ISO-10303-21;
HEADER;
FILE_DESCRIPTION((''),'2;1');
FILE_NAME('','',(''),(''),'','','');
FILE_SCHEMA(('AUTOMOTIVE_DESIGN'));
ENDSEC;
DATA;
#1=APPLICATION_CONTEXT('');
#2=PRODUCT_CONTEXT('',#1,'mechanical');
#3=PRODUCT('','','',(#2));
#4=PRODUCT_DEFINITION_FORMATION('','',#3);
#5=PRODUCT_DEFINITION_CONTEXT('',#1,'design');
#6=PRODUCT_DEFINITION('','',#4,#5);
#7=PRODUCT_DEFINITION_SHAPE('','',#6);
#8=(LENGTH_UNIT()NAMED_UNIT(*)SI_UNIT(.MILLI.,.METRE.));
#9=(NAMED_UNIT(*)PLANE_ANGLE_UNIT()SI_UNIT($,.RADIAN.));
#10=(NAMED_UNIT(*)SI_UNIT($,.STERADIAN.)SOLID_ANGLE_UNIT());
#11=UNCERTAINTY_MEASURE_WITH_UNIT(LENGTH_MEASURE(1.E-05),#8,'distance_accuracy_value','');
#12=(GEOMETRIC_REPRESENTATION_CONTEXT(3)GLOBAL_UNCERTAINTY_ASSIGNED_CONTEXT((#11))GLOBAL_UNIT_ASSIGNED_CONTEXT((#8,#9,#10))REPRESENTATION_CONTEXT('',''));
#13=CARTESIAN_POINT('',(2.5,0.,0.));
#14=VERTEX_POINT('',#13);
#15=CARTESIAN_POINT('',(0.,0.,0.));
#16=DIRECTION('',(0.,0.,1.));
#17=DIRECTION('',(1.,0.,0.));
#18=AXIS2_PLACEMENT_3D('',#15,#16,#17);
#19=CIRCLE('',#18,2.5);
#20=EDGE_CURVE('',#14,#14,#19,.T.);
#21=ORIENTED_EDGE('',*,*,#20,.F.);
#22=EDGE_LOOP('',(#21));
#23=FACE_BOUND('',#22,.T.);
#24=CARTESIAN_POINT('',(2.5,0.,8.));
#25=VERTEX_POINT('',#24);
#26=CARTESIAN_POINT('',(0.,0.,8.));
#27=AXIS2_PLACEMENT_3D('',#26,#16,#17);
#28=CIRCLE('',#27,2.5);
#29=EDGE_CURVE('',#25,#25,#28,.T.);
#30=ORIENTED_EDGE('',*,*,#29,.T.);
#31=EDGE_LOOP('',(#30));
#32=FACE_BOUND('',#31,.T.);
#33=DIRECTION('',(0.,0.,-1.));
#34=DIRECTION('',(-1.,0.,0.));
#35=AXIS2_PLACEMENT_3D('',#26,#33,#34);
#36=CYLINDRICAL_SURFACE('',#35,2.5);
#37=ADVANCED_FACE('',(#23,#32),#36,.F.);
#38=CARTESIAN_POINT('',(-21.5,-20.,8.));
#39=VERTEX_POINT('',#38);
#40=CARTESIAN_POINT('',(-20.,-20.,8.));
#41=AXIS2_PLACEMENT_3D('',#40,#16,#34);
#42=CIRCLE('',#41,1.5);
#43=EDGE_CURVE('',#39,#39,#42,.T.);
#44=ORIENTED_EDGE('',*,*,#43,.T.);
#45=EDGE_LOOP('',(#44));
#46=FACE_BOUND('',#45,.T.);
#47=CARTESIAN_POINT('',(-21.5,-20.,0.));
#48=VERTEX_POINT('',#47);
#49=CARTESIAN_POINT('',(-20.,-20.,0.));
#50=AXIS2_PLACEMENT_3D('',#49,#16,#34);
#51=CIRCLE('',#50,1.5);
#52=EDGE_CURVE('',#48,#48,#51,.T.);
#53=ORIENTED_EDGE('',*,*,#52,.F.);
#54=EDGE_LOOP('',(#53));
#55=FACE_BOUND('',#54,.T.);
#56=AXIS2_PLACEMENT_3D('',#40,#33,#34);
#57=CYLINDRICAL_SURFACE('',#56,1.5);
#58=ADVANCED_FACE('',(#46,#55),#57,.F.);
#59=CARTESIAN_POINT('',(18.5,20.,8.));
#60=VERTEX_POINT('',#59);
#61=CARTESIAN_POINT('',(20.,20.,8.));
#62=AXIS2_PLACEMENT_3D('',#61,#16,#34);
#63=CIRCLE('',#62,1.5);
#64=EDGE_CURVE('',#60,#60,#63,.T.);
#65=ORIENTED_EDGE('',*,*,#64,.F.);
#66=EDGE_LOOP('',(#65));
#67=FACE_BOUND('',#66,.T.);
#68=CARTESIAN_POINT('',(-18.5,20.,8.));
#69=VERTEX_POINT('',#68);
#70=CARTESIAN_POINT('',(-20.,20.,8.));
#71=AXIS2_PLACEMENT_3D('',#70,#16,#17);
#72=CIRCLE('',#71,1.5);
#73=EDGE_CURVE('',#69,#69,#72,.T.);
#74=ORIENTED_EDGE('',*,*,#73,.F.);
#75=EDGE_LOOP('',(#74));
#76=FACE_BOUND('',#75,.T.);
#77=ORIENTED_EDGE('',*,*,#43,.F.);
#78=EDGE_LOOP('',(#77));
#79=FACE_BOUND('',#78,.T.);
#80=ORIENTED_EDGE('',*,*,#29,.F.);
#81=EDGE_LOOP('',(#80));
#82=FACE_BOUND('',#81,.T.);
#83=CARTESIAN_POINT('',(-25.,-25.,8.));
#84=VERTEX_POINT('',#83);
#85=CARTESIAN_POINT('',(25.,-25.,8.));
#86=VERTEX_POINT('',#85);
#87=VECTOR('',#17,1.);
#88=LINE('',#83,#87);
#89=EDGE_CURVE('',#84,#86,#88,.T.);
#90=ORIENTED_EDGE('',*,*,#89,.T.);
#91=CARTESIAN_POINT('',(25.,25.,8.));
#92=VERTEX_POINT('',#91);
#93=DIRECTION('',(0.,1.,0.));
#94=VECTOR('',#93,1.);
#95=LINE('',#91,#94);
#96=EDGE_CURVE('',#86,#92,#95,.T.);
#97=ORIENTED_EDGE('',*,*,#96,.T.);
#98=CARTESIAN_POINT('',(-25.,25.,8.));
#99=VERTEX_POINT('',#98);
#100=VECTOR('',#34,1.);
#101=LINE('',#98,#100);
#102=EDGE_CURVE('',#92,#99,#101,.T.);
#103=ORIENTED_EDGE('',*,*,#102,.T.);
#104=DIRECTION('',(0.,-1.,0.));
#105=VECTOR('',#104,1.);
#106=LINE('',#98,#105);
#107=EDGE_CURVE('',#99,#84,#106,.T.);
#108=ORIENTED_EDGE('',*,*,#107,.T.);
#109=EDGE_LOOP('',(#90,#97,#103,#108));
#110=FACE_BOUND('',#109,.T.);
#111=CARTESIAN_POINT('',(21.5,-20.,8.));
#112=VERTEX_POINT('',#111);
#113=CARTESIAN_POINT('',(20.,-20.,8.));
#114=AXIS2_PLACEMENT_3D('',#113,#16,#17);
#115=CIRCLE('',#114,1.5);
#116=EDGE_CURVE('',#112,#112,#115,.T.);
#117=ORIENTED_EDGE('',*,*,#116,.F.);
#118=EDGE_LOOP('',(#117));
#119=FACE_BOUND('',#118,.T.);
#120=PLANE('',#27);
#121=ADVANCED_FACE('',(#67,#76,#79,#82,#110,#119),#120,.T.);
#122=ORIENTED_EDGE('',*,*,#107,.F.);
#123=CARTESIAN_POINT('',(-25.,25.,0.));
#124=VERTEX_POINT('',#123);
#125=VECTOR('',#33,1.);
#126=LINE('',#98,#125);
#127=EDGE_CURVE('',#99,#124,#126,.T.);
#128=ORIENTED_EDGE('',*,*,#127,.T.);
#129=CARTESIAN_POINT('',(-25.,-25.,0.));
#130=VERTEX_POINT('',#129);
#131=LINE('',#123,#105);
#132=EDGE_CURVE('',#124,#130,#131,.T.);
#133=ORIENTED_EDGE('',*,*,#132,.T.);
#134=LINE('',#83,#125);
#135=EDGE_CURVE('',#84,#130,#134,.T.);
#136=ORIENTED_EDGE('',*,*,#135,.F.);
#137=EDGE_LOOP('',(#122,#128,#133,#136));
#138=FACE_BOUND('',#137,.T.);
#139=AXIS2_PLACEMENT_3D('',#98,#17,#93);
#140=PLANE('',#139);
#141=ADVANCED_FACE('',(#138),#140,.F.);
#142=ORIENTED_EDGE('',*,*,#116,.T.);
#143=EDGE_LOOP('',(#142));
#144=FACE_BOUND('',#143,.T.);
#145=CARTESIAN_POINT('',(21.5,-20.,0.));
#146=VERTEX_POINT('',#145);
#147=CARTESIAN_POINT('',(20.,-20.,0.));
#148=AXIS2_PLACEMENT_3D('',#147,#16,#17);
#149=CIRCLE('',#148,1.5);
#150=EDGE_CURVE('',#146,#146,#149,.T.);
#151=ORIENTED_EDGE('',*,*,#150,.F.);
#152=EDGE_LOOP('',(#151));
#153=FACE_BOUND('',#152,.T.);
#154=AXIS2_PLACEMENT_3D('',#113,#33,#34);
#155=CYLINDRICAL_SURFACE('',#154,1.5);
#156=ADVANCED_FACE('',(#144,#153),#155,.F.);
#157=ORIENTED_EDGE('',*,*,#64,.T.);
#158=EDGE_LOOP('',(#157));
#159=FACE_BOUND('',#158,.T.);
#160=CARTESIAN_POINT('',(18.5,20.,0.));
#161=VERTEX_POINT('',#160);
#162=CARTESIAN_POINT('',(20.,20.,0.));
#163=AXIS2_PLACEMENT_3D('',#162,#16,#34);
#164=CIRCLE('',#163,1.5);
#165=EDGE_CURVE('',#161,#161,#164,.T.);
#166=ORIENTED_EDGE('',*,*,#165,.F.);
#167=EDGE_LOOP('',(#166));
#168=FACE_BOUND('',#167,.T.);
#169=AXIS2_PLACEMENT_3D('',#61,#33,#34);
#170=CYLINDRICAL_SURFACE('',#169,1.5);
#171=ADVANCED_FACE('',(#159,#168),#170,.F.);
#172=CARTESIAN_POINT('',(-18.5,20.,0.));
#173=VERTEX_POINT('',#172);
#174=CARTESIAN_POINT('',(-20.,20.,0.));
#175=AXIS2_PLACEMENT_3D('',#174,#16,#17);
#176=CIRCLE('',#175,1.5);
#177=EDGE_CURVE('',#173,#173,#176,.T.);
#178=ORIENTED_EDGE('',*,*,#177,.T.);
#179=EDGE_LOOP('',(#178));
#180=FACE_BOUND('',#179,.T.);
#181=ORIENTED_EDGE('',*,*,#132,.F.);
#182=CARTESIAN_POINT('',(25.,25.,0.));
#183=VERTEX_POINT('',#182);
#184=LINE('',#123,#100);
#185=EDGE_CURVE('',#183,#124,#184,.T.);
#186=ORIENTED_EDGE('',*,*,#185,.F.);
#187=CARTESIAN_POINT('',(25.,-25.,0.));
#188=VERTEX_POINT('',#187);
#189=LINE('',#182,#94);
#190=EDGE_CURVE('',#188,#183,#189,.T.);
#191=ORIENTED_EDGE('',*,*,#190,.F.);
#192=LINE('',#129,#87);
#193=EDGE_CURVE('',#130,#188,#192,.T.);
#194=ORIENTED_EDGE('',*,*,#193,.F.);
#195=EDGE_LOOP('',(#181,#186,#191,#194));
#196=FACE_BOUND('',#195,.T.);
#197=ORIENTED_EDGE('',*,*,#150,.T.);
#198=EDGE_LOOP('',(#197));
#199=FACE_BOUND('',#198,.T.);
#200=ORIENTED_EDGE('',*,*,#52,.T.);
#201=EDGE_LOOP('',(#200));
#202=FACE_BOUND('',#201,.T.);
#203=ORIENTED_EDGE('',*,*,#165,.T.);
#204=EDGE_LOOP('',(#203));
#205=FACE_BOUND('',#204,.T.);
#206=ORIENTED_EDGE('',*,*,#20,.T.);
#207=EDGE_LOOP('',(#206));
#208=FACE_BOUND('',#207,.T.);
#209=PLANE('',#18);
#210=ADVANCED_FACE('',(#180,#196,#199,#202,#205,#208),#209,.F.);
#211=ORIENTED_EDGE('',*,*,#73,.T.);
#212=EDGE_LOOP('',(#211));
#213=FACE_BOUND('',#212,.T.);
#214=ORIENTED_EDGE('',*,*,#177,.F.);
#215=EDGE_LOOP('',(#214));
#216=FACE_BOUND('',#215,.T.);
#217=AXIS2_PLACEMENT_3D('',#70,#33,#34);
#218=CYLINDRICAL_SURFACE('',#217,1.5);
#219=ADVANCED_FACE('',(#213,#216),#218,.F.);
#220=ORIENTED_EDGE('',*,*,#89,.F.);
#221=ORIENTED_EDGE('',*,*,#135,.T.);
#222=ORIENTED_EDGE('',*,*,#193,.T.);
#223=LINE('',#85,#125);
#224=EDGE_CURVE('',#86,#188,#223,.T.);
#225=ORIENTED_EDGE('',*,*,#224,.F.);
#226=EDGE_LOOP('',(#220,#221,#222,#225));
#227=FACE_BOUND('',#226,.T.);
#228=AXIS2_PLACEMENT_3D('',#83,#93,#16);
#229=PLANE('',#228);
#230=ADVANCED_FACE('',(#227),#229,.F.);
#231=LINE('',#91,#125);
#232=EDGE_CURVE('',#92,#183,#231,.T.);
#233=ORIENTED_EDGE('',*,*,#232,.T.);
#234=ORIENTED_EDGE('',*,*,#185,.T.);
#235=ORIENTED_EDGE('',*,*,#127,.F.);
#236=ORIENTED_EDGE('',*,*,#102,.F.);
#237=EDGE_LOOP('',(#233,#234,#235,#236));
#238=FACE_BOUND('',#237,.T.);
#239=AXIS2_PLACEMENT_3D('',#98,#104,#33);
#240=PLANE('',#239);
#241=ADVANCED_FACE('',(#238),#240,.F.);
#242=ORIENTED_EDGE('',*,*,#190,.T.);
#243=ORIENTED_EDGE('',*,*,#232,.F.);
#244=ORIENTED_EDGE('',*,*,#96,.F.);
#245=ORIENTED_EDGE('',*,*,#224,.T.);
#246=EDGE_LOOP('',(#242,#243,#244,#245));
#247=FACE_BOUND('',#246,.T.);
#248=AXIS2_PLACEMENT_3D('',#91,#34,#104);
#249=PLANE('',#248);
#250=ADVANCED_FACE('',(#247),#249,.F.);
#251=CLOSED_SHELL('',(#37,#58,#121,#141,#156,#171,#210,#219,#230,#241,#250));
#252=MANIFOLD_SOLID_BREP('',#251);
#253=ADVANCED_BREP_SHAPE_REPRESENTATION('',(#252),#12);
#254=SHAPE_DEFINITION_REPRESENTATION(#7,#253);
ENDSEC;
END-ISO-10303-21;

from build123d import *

# Parameters (mm, degrees)
SKETCH_1_W      = 50
SKETCH_1_H      = 50
SKETCH_1_R      = 2.5
SKETCH_1_R_2    = 1.5
EXTRUDE_1_DEPTH = 8


with BuildPart() as part:
    # 草图1 → 凸台-拉伸1 (new body)
    with BuildSketch(Plane.XY):
        Rectangle(SKETCH_1_W, SKETCH_1_H)
        Circle(SKETCH_1_R, mode=Mode.SUBTRACT)
        with Locations((-20, 20)):
            Circle(SKETCH_1_R_2, mode=Mode.SUBTRACT)
        with Locations(Location((20, 20, 0), (0, 0, 180))):
            Circle(SKETCH_1_R_2, mode=Mode.SUBTRACT)
        with Locations((20, -20)):
            Circle(SKETCH_1_R_2, mode=Mode.SUBTRACT)
        with Locations(Location((-20, -20, 0), (0, 0, 180))):
            Circle(SKETCH_1_R_2, mode=Mode.SUBTRACT)
    extrude(amount=EXTRUDE_1_DEPTH)


solid = part.part
